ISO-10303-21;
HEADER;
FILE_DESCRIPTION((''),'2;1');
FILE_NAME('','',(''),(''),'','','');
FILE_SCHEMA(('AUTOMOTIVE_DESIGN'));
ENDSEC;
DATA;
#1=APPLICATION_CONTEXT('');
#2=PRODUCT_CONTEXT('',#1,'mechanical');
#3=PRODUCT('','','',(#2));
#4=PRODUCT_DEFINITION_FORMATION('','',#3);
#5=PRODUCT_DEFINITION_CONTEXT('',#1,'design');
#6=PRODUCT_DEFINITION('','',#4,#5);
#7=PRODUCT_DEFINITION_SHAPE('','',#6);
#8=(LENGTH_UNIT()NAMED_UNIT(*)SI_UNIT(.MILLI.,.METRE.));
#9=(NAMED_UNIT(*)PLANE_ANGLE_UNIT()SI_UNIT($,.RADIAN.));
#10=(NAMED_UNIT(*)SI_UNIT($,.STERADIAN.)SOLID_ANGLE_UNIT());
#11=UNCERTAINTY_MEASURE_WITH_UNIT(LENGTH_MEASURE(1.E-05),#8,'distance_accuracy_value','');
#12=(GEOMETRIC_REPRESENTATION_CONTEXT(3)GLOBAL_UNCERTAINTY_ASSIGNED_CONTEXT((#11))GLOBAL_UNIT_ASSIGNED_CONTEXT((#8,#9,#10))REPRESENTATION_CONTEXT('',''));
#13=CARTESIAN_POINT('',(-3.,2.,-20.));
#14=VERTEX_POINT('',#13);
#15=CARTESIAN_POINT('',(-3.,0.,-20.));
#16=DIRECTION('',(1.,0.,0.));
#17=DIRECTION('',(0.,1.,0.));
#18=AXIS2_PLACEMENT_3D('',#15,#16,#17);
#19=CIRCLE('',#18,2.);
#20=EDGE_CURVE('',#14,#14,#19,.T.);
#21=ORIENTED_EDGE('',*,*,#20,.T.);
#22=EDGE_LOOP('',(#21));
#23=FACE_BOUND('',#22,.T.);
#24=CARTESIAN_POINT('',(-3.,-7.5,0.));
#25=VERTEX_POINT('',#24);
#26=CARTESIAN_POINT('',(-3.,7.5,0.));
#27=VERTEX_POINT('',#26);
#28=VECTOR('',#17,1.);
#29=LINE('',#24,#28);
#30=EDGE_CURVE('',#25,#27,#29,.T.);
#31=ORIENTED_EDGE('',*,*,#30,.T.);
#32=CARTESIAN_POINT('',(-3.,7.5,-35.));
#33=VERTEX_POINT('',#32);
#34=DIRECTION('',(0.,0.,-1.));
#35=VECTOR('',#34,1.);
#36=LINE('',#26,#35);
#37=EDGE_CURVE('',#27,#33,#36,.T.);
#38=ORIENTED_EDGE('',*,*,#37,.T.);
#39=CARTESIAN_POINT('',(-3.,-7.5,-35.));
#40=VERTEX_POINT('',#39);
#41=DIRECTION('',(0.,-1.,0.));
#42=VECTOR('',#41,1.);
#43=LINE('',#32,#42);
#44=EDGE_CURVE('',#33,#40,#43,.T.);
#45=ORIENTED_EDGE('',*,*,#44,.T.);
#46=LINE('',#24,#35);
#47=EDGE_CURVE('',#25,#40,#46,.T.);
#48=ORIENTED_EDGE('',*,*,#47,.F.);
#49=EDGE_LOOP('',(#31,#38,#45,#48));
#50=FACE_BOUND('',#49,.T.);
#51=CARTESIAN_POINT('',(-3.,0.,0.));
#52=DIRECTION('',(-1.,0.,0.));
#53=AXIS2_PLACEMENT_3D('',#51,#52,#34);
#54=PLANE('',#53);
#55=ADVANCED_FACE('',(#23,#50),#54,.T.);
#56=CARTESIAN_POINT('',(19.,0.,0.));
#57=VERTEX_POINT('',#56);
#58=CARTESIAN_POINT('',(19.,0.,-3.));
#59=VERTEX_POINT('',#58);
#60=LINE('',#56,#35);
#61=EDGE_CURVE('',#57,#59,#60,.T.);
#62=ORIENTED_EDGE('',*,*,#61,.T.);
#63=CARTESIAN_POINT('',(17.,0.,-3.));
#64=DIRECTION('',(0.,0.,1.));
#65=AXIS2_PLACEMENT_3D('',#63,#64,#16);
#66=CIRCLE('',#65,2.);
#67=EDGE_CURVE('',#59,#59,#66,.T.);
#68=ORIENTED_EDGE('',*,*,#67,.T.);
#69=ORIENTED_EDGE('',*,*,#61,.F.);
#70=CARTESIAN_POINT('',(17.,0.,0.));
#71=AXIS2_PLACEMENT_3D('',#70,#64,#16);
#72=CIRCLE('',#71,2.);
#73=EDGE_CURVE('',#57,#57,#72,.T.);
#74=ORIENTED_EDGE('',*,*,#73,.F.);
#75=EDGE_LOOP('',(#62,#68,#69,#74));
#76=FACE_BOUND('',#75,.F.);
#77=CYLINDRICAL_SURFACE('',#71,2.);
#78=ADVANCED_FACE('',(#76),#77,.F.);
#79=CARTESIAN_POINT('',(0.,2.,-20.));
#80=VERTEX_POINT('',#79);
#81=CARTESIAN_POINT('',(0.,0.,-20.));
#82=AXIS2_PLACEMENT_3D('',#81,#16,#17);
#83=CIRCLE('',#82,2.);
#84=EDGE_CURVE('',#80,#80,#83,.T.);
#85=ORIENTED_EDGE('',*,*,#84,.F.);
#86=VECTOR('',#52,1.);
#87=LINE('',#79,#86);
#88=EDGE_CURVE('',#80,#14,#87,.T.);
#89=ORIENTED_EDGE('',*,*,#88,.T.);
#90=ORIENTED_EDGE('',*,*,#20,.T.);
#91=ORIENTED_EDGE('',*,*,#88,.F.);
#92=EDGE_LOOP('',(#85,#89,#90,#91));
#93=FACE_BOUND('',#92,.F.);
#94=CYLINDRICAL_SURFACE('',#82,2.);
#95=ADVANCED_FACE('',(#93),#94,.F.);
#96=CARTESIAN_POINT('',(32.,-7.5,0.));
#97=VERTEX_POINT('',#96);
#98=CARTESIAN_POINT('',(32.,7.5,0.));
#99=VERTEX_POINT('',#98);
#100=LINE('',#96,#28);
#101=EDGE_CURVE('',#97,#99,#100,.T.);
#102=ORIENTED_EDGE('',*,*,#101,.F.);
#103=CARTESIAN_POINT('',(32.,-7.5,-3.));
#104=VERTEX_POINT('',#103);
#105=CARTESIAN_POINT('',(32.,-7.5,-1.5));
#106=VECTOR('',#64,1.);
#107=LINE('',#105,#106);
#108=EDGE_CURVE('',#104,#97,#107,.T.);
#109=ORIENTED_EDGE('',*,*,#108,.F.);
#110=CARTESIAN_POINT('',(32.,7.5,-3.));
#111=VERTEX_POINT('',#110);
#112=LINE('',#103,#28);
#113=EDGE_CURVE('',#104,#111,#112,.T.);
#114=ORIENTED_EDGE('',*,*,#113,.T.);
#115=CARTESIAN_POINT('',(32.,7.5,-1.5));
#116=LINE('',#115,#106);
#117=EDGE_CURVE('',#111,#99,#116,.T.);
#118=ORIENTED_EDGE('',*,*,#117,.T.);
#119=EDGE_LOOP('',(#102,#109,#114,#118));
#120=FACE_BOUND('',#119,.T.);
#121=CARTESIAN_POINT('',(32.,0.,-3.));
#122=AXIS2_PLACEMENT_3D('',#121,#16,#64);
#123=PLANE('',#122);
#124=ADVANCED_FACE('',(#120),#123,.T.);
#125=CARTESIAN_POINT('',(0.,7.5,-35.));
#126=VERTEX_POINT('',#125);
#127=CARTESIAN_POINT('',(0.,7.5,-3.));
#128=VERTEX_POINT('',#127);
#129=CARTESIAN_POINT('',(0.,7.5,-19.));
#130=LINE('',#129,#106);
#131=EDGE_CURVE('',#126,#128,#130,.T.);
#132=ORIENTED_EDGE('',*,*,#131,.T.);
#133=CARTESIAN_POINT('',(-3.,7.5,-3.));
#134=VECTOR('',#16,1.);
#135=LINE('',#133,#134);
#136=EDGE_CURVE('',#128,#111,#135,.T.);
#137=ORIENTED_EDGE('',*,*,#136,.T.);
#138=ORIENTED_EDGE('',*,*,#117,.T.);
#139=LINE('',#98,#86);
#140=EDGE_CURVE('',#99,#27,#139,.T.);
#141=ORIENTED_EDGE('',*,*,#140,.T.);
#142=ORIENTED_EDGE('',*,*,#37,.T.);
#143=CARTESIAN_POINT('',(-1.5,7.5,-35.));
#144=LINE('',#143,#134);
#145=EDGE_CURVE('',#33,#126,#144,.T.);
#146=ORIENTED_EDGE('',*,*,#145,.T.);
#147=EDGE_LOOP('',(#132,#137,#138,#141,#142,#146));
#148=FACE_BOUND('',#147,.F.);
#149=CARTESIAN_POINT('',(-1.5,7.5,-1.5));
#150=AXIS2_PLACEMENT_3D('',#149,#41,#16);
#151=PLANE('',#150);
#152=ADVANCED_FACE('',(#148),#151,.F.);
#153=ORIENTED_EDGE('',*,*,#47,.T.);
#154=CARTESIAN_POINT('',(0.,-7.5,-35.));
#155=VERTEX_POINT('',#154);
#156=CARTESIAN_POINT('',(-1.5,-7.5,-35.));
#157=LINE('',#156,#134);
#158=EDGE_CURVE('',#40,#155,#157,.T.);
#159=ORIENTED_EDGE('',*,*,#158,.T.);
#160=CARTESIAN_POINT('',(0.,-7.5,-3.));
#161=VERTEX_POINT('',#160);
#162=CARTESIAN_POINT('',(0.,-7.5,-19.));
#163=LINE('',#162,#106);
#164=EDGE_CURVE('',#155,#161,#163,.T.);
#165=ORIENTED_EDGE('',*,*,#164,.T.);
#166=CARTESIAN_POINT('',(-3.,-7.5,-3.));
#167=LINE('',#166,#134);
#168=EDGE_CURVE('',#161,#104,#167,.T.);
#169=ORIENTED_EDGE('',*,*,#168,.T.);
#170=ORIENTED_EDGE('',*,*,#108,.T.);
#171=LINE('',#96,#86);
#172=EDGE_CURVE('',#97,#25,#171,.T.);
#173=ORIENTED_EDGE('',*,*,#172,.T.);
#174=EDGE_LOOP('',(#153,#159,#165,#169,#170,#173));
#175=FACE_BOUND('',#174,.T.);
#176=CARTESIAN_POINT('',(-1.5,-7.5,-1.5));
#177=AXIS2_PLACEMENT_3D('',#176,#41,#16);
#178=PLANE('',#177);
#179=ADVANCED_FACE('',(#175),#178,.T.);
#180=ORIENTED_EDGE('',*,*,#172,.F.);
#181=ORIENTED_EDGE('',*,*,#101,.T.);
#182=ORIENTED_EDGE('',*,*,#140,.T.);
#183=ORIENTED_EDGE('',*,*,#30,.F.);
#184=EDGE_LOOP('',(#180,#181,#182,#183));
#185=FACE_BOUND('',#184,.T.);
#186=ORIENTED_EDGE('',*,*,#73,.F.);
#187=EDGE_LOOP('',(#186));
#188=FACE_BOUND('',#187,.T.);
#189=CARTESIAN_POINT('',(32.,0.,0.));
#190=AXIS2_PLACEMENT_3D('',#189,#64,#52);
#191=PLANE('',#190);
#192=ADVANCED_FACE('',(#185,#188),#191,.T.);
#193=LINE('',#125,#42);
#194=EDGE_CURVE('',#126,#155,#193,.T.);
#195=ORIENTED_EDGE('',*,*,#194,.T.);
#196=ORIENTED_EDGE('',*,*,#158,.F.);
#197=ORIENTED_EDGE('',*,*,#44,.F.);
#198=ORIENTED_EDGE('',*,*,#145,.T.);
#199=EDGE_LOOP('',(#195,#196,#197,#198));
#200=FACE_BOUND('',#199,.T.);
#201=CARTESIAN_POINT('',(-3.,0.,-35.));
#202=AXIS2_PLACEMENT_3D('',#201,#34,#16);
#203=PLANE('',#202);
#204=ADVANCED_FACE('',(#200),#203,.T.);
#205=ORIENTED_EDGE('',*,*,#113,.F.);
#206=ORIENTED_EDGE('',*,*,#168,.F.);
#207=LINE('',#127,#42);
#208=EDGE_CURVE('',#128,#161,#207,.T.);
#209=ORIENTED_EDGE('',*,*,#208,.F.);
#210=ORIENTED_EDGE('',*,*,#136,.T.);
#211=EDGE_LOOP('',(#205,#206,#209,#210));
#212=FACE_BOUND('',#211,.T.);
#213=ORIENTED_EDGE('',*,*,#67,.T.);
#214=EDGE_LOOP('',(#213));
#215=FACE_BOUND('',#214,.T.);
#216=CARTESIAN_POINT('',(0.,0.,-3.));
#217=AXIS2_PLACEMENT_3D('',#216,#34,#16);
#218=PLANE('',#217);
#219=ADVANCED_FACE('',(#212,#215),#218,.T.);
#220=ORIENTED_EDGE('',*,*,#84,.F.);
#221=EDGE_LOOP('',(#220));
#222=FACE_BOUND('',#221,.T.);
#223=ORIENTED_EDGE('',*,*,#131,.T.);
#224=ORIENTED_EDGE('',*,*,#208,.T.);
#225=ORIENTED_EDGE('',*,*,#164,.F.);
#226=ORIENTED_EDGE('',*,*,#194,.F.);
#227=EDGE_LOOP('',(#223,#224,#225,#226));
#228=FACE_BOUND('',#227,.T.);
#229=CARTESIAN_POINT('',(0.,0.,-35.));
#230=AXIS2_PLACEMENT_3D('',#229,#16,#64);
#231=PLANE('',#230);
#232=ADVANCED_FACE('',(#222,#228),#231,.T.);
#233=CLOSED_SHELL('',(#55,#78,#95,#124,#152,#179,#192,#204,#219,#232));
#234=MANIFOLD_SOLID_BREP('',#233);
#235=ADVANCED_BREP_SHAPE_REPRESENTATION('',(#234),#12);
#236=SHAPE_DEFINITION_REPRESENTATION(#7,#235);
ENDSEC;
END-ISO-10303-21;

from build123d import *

# Parameters (mm, degrees)
F0_W     = 3
F0_H     = 3
F0_W_2   = 32
F0_H_2   = 32
F1_DEPTH = 7.5
F2_R     = 2
F3_DEPTH = 3.001
F4_R     = 2
F5_DEPTH = 35.001


with BuildPart() as f1:
    # F0 (on Front) → F1 (new body, symmetric)
    with BuildSketch(Plane.XZ):
        with Locations((-1.5, -1.5)):
            Rectangle(F0_W, F0_H)
        with Locations((16, -1.5)):
            Rectangle(F0_W_2, F0_H)
        with Locations((-1.5, -19)):
            Rectangle(F0_W, F0_H_2)
    extrude(amount=F1_DEPTH, both=True)

    # F2 (on face) → F3 (cut, through all)
    with BuildSketch(Plane.YZ):
        with Locations((0, -20)):
            Circle(F2_R)
    extrude(amount=-F3_DEPTH, mode=Mode.SUBTRACT)

    # F4 (on face) → F5 (cut, through all)
    with BuildSketch(Plane.XY):
        with Locations((17, 0)):
            Circle(F4_R)
    extrude(amount=-F5_DEPTH, mode=Mode.SUBTRACT)


solid = f1.part
